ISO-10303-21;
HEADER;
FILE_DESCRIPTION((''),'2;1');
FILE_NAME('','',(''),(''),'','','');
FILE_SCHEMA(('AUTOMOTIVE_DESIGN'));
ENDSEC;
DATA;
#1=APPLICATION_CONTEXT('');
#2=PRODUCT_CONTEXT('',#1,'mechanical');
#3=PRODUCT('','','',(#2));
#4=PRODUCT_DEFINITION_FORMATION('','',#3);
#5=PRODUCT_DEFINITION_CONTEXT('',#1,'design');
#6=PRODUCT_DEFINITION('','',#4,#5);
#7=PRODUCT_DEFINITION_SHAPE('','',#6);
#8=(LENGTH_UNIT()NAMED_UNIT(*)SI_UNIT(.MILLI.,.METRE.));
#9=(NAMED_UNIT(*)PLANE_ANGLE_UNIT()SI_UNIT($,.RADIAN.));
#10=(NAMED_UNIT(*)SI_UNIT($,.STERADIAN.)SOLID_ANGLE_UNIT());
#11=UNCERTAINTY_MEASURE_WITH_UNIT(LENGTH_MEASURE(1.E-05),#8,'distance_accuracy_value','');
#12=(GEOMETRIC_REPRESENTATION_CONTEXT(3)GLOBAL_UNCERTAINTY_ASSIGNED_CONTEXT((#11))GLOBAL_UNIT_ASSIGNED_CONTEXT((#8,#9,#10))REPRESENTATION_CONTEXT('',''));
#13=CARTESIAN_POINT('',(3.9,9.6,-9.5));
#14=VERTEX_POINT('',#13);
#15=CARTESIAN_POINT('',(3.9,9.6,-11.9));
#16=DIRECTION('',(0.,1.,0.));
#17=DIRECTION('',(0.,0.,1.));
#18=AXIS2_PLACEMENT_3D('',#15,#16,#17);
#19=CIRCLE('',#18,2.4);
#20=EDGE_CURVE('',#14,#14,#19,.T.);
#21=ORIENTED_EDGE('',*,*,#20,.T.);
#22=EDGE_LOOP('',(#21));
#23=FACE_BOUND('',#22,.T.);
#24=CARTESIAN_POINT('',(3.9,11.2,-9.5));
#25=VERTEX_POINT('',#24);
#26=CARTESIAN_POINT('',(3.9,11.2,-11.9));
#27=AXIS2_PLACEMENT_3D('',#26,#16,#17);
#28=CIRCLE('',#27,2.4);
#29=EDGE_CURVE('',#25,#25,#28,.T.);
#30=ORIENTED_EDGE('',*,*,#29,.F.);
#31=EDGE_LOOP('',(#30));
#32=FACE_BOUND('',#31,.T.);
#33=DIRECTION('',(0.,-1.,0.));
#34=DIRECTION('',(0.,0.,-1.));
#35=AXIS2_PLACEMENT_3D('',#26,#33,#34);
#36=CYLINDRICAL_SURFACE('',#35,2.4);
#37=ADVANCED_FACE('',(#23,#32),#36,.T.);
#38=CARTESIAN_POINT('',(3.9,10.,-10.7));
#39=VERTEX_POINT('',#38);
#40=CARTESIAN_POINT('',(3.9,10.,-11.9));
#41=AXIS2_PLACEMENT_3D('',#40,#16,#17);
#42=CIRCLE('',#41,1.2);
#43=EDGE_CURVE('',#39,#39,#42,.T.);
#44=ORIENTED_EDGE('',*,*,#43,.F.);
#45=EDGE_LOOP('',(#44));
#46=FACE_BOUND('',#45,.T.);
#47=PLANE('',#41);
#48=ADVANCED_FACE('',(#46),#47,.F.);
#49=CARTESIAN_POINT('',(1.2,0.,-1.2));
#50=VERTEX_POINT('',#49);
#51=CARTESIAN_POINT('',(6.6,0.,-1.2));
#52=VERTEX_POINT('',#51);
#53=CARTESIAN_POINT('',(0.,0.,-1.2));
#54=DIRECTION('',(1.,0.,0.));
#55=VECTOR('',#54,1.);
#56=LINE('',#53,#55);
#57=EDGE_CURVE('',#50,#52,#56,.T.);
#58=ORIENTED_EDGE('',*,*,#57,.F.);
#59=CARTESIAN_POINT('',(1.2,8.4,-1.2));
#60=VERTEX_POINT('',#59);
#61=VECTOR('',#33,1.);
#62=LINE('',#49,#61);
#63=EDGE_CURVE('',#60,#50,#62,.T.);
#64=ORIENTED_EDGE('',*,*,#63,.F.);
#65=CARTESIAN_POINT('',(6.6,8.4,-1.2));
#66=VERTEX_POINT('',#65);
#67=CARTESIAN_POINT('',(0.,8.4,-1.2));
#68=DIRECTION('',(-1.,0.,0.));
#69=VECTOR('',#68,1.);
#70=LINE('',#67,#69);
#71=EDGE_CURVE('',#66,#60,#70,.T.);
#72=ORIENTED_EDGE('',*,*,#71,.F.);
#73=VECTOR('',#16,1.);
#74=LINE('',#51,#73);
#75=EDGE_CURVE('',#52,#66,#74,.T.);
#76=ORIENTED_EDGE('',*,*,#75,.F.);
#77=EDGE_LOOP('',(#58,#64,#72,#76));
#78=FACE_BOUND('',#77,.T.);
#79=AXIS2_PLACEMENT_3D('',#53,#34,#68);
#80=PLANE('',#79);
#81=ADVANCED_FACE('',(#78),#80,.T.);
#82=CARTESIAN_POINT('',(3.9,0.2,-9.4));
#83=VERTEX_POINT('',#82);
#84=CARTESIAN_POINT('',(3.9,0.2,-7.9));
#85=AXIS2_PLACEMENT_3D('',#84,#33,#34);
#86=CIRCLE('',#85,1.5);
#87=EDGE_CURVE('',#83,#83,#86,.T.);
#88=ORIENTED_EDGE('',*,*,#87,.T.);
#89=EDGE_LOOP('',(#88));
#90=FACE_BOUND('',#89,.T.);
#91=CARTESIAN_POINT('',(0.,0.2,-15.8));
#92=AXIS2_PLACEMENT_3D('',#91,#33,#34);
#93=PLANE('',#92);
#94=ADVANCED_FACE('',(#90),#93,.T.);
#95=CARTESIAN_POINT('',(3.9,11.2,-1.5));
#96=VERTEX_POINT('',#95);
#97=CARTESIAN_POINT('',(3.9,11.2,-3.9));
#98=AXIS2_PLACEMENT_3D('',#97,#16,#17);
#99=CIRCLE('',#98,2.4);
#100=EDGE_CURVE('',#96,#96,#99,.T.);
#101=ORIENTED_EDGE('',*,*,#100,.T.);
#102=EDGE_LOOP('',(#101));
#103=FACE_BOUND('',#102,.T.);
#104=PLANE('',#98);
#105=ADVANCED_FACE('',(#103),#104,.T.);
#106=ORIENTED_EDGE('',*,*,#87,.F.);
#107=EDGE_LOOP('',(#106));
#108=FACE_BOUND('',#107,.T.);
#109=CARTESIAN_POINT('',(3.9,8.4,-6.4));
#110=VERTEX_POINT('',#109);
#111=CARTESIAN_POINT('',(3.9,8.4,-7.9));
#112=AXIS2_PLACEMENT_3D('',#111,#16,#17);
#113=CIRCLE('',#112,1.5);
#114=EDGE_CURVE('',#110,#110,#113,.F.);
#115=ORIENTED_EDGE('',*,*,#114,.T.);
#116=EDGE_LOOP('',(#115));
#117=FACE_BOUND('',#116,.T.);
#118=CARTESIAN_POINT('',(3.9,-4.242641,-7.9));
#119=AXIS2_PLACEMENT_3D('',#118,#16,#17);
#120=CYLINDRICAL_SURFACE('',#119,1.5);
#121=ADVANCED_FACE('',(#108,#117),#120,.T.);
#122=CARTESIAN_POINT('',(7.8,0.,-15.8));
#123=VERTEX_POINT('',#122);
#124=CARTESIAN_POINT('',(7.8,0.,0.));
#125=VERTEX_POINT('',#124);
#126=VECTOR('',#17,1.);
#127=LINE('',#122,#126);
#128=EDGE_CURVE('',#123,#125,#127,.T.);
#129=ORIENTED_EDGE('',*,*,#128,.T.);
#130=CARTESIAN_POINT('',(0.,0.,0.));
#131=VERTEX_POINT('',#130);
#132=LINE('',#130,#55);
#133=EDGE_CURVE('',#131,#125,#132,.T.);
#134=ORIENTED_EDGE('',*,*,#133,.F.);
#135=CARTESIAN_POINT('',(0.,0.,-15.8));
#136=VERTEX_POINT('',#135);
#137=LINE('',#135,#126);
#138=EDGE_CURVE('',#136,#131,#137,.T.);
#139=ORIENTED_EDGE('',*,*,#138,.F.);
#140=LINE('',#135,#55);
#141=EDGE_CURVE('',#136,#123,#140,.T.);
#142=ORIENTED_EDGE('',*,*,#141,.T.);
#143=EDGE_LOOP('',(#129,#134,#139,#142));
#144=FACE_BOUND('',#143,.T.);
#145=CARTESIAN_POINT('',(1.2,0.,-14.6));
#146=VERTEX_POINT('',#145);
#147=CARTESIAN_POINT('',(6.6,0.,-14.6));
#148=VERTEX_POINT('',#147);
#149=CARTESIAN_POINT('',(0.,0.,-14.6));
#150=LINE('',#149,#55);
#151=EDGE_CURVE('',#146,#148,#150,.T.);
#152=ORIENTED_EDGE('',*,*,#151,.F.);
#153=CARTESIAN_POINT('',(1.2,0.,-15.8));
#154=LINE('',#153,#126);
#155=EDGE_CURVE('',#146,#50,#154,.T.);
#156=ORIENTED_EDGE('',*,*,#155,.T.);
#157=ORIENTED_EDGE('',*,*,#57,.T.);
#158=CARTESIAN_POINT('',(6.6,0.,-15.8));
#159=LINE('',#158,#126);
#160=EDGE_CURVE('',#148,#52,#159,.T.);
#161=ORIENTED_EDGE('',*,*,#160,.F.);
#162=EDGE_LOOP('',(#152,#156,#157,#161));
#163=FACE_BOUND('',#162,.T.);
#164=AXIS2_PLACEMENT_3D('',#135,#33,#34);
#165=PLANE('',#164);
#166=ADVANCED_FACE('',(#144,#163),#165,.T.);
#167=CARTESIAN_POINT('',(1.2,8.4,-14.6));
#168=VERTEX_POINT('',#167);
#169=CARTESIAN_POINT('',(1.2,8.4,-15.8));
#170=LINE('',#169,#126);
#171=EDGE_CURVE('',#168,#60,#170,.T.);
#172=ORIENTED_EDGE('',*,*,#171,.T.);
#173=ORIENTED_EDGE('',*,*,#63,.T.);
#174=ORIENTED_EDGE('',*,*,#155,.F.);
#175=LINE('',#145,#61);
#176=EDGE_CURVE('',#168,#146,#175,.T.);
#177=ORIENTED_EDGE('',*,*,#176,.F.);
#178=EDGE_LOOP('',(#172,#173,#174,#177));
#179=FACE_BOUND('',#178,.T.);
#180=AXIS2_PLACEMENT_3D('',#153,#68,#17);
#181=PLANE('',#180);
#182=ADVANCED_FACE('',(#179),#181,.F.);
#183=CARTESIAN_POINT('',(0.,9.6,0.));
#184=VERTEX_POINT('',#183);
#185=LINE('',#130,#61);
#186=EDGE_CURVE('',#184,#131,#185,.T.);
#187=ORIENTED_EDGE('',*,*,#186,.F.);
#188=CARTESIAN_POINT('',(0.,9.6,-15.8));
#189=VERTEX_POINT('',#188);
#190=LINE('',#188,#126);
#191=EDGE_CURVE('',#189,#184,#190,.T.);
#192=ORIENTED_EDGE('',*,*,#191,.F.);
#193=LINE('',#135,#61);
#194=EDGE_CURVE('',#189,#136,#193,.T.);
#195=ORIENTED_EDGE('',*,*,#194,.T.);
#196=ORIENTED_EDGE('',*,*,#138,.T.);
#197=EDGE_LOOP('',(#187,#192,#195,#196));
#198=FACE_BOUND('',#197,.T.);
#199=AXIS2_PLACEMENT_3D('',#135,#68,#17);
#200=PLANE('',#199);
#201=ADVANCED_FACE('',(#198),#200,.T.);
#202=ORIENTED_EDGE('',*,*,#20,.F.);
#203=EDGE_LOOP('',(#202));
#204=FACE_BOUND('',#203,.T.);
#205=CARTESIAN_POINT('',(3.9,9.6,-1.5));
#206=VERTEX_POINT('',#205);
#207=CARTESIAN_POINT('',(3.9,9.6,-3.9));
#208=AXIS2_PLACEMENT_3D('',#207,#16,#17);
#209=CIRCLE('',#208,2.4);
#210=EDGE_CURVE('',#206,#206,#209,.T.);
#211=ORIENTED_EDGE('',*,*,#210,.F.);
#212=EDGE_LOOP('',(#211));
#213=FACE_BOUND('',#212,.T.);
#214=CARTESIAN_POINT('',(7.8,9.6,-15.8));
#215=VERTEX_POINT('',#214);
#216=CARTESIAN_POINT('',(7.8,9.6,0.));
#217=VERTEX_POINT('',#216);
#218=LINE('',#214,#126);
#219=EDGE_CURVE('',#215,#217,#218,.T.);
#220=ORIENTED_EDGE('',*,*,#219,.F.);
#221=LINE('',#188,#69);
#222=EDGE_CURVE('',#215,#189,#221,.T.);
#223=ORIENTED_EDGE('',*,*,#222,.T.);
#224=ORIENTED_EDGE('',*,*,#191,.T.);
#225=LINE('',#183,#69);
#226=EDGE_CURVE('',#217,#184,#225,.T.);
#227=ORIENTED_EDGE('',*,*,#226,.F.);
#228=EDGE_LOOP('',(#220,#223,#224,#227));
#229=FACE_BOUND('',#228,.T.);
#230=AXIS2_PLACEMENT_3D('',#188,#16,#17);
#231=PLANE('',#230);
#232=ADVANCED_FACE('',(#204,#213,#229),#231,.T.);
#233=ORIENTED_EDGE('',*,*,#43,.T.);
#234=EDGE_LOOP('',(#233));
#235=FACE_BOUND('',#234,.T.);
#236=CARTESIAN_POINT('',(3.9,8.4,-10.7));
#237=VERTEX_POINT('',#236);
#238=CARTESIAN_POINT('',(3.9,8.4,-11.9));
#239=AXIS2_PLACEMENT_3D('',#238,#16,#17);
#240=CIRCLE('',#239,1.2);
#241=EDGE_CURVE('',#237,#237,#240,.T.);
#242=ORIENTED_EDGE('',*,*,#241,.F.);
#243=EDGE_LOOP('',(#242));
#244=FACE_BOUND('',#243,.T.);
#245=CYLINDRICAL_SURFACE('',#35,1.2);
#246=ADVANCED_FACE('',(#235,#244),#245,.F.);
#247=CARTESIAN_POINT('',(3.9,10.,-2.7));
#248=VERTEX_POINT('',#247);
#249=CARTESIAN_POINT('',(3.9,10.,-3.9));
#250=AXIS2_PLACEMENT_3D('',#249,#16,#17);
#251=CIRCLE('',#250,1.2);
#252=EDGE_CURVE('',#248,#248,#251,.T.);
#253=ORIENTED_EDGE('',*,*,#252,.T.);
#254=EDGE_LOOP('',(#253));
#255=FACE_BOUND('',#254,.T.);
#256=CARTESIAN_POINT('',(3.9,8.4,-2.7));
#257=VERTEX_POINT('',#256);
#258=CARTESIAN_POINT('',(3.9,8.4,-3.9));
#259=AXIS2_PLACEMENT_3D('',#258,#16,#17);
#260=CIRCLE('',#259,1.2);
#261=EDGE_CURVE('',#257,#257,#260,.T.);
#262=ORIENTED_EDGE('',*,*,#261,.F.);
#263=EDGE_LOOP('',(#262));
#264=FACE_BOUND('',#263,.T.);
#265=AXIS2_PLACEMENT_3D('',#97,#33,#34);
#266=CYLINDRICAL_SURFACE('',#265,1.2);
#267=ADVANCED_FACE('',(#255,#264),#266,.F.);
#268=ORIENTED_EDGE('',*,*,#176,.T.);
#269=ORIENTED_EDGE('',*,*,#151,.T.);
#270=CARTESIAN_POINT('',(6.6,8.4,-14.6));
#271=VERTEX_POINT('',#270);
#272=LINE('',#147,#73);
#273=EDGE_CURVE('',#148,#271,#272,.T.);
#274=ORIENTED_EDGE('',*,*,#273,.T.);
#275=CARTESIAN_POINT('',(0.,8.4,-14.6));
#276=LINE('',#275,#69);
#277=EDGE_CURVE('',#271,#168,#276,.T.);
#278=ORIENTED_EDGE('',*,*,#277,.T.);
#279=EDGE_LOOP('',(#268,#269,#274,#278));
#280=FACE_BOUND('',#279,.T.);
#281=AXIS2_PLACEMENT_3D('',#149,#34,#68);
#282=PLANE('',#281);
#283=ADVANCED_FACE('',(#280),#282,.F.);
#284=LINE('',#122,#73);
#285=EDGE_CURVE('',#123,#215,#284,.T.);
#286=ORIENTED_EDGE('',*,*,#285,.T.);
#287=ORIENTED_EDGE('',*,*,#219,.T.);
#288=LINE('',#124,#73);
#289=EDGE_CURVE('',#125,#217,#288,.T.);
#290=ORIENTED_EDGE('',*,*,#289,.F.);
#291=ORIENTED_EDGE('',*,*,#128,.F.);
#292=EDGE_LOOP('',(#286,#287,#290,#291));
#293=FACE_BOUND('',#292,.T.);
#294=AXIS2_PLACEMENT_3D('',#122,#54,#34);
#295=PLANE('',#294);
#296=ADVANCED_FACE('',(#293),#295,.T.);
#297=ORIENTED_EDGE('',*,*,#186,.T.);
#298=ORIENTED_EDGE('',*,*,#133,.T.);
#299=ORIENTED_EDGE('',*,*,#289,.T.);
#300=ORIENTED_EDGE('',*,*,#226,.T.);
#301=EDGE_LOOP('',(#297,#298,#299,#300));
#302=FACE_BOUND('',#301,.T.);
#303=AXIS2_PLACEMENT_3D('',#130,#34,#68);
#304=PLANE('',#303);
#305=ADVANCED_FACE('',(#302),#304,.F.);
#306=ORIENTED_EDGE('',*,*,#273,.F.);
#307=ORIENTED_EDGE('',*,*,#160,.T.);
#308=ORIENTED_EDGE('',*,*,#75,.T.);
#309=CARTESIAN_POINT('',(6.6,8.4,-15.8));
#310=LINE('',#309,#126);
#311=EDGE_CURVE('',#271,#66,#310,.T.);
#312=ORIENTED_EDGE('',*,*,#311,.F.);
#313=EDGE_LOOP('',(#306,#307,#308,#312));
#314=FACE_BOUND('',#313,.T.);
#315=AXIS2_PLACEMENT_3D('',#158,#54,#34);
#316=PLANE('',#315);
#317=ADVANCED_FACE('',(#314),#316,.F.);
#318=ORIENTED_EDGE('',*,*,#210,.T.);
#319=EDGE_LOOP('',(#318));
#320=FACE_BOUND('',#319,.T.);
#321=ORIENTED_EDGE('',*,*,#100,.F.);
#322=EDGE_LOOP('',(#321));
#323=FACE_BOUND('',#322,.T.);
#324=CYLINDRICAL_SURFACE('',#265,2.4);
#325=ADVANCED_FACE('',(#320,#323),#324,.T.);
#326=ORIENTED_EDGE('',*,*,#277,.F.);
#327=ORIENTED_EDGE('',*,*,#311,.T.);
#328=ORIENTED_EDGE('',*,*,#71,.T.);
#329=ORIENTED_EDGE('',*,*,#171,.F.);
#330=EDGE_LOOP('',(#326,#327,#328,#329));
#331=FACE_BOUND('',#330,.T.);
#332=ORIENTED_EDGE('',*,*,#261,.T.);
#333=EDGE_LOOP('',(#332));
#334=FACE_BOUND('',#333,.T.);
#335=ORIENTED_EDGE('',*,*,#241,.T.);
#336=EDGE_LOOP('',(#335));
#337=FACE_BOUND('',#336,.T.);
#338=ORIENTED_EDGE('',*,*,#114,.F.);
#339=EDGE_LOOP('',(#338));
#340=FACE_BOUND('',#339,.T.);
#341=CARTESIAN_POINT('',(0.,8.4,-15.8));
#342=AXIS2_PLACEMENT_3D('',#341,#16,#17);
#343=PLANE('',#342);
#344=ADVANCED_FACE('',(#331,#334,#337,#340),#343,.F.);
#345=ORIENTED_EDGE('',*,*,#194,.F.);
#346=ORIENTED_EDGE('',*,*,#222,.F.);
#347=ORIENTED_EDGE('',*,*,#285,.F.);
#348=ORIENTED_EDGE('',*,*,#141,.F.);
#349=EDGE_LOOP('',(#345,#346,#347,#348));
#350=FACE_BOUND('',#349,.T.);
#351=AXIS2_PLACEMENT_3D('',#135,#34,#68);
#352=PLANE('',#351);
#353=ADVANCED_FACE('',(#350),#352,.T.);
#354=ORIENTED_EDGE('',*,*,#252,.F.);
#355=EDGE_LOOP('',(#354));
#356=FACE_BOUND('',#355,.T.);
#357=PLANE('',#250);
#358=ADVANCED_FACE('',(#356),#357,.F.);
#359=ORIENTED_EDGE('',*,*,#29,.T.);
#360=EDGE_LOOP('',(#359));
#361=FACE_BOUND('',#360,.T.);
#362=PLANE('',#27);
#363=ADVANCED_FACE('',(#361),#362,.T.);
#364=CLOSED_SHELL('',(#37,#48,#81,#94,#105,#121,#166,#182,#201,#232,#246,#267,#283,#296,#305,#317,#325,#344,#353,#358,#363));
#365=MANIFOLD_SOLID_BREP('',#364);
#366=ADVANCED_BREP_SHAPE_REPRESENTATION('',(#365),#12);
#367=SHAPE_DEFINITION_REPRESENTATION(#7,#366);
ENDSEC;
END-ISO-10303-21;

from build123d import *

# Parameters (mm, degrees)
SKETCH1_W            = 7.8
SKETCH1_H            = 9.6
BOSS_EXTRUDE1_DEPTH  = 15.8
SKETCH2_R            = 2.4
BOSS_EXTRUDE2_DEPTH  = 1.6
LPATTERN1_COUNT      = 2
LPATTERN1_PITCH      = 8
LPATTERN1_COUNT_DIR2 = 4
LPATTERN1_PITCH_DIR2 = 8
SHELL1_T             = -1.2
SKETCH5_R            = 1.5
BOSS_EXTRUDE4_DEPTH  = 8.2


with BuildPart() as part:
    # Sketch1 → Boss-Extrude1 (new body)
    with BuildSketch(Plane.XY):
        with Locations((3.9, 4.8)):
            Rectangle(SKETCH1_W, SKETCH1_H)
    extrude(amount=-BOSS_EXTRUDE1_DEPTH)

    # Sketch2 → Boss-Extrude2 (add)
    with BuildSketch(Plane(origin=(0, 9.6, 0), x_dir=(1, 0, 0), z_dir=(0, 1, 0))):
        with Locations(Location((3.9, 3.9, 0), (0, 0, 270))):
            Circle(SKETCH2_R)
    boss_extrude2 = extrude(amount=BOSS_EXTRUDE2_DEPTH)

    # LPattern1: Boss-Extrude2 2 × 4, 6 skipped
    with Locations(*[(-j * LPATTERN1_PITCH_DIR2, 0, -i * LPATTERN1_PITCH) for i in range(LPATTERN1_COUNT) for j in range(LPATTERN1_COUNT_DIR2) if (i, j) not in ((0, 0), (0, 1), (0, 2), (0, 3), (1, 1), (1, 2), (1, 3))]):
        add(boss_extrude2)

    # Shell1
    shell1_openings = [part.faces().sort_by_distance(p)[0] for p in [
        (3.9, 0, -7.9),
    ]]
    offset(amount=SHELL1_T, openings=shell1_openings, kind=Kind.INTERSECTION)

    # Sketch5 → Boss-Extrude4 (add)
    with BuildSketch(Plane.XZ.offset(-8.4)):
        with Locations(Location((3.9, -7.9, 0), (0, 0, 90))):
            Circle(SKETCH5_R)
    extrude(amount=BOSS_EXTRUDE4_DEPTH)


solid = part.part
